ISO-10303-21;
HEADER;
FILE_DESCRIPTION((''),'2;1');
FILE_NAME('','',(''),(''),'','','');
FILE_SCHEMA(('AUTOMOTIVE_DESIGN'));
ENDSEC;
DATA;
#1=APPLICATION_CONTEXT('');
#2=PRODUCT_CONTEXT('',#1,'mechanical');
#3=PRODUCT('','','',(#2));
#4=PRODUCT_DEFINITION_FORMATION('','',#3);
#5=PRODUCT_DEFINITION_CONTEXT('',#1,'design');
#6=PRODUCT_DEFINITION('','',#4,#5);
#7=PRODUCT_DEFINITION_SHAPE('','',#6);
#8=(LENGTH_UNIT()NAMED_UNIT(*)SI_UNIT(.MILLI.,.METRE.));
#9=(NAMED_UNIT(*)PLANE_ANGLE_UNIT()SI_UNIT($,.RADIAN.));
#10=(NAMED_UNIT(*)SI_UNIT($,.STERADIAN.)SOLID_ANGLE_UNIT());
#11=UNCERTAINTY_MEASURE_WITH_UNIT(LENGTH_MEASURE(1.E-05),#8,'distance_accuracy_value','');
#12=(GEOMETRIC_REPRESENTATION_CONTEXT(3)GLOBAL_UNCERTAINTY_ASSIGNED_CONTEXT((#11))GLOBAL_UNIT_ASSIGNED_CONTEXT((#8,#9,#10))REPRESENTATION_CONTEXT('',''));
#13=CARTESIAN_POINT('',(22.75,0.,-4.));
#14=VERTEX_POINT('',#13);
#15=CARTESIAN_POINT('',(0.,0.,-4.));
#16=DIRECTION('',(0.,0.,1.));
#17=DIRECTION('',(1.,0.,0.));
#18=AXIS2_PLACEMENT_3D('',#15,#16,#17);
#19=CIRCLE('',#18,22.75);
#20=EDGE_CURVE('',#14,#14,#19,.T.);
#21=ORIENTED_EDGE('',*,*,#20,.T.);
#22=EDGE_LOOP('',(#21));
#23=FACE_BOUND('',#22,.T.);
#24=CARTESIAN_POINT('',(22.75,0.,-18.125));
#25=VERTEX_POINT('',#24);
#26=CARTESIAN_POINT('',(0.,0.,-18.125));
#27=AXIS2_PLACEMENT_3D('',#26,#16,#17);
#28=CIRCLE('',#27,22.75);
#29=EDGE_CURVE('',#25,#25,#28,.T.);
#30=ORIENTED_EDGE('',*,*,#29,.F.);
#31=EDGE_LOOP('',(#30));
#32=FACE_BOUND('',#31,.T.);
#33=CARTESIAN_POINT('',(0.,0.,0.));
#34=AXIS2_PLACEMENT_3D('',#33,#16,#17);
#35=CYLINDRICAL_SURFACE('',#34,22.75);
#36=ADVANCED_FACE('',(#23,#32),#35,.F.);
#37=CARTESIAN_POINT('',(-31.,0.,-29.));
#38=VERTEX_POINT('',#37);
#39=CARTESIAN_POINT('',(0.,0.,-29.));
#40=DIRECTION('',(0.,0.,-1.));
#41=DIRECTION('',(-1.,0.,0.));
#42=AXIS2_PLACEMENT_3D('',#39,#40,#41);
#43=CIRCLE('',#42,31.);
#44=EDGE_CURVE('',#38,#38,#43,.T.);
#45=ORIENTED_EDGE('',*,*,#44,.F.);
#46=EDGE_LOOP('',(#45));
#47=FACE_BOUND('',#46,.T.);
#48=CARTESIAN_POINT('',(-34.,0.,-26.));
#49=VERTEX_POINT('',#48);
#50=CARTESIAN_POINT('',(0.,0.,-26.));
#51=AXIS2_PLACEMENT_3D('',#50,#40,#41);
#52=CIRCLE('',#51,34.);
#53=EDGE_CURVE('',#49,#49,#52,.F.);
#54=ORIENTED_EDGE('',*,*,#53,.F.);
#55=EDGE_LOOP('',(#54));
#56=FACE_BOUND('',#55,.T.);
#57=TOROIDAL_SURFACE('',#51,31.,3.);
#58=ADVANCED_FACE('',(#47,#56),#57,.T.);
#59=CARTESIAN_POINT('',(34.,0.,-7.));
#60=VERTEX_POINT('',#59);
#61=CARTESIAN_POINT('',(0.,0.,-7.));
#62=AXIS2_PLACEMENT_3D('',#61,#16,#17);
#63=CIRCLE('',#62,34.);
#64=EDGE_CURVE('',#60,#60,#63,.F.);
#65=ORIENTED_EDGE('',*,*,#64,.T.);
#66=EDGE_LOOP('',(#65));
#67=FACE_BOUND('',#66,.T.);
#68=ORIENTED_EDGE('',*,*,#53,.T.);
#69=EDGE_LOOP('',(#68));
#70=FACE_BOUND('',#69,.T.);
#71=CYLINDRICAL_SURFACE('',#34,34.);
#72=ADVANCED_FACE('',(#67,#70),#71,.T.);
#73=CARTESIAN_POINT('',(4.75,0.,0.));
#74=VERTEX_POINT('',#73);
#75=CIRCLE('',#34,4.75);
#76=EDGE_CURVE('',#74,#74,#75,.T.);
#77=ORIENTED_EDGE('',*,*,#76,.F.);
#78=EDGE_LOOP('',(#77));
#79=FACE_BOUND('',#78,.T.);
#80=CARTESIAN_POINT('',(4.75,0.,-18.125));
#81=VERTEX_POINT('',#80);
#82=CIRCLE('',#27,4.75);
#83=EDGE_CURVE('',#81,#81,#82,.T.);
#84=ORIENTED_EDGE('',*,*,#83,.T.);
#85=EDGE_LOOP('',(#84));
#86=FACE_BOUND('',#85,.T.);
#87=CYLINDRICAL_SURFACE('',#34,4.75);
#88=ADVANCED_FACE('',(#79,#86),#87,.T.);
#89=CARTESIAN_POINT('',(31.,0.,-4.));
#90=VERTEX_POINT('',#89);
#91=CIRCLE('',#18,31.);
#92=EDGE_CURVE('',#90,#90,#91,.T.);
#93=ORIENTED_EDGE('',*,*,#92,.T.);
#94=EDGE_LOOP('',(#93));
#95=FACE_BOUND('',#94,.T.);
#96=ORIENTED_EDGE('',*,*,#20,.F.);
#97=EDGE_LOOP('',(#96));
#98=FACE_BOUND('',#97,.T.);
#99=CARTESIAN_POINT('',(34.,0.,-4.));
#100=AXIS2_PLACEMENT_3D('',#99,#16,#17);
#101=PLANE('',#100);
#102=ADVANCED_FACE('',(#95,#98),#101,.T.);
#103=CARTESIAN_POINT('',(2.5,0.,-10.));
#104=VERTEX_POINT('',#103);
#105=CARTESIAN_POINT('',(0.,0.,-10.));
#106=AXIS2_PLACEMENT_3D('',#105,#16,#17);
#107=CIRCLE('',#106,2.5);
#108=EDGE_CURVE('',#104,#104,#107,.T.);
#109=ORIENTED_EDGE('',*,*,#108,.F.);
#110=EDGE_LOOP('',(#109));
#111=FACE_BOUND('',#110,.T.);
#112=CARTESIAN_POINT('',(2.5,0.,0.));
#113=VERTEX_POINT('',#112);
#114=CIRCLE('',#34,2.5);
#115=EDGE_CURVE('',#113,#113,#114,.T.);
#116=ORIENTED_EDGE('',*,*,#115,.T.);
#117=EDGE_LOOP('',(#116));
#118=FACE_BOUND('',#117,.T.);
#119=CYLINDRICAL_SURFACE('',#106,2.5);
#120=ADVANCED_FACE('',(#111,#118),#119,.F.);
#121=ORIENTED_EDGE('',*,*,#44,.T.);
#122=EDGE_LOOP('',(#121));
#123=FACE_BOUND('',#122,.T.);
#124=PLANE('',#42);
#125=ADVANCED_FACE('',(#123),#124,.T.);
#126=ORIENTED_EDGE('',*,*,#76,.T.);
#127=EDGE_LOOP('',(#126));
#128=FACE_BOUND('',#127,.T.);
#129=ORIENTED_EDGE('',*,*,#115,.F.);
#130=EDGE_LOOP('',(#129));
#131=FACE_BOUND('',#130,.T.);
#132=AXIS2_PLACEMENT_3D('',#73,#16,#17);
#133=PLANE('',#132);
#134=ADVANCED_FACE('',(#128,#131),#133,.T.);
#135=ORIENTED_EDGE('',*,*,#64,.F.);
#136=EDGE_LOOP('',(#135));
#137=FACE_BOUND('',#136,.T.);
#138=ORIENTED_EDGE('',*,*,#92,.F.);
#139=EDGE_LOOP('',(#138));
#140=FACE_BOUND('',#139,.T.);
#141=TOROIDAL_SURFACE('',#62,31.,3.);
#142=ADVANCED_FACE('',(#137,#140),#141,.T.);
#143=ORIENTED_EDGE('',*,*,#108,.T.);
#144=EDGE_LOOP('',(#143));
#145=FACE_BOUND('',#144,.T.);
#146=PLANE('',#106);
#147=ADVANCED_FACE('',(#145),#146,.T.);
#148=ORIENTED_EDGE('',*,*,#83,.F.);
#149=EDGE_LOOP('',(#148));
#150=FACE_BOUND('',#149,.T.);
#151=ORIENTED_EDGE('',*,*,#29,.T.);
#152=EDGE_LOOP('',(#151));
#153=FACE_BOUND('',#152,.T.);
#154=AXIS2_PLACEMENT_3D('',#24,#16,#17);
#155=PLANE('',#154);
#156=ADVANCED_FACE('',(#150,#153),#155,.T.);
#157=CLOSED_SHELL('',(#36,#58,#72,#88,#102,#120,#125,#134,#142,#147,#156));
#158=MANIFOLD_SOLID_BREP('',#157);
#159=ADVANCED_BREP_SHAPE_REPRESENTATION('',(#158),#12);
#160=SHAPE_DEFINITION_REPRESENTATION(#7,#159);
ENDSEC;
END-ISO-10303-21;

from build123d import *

# Parameters (mm, degrees)
FILLET1_R          = 3
SKETCH2_R          = 2.5
CUT_EXTRUDE1_DEPTH = 10


with BuildPart() as part:
    # Sketch1 → Revolve1 (revolve)
    with BuildSketch(Plane(origin=(0, 0, 0), x_dir=(1, 0, 0), z_dir=(0, 1, 0))):
        Polygon((0, 0), (0, 29), (34, 29), (34, 4), (22.75, 4), (22.75, 18.125), (4.75, 18.125), (4.75, 0), align=None)
    revolve(axis=Axis((0, 0, 0), (0, 0, -1)))

    # Fillet1
    fillet1_edges = [part.edges().sort_by_distance(p)[0] for p in [
        (-34, 0, -4),
        (-34, 0, -29),
    ]]
    fillet(fillet1_edges, radius=FILLET1_R)

    # Sketch2 → Cut-Extrude1 (cut)
    with BuildSketch(Plane.XY):
        Circle(SKETCH2_R)
    extrude(amount=-CUT_EXTRUDE1_DEPTH, mode=Mode.SUBTRACT)


solid = part.part
